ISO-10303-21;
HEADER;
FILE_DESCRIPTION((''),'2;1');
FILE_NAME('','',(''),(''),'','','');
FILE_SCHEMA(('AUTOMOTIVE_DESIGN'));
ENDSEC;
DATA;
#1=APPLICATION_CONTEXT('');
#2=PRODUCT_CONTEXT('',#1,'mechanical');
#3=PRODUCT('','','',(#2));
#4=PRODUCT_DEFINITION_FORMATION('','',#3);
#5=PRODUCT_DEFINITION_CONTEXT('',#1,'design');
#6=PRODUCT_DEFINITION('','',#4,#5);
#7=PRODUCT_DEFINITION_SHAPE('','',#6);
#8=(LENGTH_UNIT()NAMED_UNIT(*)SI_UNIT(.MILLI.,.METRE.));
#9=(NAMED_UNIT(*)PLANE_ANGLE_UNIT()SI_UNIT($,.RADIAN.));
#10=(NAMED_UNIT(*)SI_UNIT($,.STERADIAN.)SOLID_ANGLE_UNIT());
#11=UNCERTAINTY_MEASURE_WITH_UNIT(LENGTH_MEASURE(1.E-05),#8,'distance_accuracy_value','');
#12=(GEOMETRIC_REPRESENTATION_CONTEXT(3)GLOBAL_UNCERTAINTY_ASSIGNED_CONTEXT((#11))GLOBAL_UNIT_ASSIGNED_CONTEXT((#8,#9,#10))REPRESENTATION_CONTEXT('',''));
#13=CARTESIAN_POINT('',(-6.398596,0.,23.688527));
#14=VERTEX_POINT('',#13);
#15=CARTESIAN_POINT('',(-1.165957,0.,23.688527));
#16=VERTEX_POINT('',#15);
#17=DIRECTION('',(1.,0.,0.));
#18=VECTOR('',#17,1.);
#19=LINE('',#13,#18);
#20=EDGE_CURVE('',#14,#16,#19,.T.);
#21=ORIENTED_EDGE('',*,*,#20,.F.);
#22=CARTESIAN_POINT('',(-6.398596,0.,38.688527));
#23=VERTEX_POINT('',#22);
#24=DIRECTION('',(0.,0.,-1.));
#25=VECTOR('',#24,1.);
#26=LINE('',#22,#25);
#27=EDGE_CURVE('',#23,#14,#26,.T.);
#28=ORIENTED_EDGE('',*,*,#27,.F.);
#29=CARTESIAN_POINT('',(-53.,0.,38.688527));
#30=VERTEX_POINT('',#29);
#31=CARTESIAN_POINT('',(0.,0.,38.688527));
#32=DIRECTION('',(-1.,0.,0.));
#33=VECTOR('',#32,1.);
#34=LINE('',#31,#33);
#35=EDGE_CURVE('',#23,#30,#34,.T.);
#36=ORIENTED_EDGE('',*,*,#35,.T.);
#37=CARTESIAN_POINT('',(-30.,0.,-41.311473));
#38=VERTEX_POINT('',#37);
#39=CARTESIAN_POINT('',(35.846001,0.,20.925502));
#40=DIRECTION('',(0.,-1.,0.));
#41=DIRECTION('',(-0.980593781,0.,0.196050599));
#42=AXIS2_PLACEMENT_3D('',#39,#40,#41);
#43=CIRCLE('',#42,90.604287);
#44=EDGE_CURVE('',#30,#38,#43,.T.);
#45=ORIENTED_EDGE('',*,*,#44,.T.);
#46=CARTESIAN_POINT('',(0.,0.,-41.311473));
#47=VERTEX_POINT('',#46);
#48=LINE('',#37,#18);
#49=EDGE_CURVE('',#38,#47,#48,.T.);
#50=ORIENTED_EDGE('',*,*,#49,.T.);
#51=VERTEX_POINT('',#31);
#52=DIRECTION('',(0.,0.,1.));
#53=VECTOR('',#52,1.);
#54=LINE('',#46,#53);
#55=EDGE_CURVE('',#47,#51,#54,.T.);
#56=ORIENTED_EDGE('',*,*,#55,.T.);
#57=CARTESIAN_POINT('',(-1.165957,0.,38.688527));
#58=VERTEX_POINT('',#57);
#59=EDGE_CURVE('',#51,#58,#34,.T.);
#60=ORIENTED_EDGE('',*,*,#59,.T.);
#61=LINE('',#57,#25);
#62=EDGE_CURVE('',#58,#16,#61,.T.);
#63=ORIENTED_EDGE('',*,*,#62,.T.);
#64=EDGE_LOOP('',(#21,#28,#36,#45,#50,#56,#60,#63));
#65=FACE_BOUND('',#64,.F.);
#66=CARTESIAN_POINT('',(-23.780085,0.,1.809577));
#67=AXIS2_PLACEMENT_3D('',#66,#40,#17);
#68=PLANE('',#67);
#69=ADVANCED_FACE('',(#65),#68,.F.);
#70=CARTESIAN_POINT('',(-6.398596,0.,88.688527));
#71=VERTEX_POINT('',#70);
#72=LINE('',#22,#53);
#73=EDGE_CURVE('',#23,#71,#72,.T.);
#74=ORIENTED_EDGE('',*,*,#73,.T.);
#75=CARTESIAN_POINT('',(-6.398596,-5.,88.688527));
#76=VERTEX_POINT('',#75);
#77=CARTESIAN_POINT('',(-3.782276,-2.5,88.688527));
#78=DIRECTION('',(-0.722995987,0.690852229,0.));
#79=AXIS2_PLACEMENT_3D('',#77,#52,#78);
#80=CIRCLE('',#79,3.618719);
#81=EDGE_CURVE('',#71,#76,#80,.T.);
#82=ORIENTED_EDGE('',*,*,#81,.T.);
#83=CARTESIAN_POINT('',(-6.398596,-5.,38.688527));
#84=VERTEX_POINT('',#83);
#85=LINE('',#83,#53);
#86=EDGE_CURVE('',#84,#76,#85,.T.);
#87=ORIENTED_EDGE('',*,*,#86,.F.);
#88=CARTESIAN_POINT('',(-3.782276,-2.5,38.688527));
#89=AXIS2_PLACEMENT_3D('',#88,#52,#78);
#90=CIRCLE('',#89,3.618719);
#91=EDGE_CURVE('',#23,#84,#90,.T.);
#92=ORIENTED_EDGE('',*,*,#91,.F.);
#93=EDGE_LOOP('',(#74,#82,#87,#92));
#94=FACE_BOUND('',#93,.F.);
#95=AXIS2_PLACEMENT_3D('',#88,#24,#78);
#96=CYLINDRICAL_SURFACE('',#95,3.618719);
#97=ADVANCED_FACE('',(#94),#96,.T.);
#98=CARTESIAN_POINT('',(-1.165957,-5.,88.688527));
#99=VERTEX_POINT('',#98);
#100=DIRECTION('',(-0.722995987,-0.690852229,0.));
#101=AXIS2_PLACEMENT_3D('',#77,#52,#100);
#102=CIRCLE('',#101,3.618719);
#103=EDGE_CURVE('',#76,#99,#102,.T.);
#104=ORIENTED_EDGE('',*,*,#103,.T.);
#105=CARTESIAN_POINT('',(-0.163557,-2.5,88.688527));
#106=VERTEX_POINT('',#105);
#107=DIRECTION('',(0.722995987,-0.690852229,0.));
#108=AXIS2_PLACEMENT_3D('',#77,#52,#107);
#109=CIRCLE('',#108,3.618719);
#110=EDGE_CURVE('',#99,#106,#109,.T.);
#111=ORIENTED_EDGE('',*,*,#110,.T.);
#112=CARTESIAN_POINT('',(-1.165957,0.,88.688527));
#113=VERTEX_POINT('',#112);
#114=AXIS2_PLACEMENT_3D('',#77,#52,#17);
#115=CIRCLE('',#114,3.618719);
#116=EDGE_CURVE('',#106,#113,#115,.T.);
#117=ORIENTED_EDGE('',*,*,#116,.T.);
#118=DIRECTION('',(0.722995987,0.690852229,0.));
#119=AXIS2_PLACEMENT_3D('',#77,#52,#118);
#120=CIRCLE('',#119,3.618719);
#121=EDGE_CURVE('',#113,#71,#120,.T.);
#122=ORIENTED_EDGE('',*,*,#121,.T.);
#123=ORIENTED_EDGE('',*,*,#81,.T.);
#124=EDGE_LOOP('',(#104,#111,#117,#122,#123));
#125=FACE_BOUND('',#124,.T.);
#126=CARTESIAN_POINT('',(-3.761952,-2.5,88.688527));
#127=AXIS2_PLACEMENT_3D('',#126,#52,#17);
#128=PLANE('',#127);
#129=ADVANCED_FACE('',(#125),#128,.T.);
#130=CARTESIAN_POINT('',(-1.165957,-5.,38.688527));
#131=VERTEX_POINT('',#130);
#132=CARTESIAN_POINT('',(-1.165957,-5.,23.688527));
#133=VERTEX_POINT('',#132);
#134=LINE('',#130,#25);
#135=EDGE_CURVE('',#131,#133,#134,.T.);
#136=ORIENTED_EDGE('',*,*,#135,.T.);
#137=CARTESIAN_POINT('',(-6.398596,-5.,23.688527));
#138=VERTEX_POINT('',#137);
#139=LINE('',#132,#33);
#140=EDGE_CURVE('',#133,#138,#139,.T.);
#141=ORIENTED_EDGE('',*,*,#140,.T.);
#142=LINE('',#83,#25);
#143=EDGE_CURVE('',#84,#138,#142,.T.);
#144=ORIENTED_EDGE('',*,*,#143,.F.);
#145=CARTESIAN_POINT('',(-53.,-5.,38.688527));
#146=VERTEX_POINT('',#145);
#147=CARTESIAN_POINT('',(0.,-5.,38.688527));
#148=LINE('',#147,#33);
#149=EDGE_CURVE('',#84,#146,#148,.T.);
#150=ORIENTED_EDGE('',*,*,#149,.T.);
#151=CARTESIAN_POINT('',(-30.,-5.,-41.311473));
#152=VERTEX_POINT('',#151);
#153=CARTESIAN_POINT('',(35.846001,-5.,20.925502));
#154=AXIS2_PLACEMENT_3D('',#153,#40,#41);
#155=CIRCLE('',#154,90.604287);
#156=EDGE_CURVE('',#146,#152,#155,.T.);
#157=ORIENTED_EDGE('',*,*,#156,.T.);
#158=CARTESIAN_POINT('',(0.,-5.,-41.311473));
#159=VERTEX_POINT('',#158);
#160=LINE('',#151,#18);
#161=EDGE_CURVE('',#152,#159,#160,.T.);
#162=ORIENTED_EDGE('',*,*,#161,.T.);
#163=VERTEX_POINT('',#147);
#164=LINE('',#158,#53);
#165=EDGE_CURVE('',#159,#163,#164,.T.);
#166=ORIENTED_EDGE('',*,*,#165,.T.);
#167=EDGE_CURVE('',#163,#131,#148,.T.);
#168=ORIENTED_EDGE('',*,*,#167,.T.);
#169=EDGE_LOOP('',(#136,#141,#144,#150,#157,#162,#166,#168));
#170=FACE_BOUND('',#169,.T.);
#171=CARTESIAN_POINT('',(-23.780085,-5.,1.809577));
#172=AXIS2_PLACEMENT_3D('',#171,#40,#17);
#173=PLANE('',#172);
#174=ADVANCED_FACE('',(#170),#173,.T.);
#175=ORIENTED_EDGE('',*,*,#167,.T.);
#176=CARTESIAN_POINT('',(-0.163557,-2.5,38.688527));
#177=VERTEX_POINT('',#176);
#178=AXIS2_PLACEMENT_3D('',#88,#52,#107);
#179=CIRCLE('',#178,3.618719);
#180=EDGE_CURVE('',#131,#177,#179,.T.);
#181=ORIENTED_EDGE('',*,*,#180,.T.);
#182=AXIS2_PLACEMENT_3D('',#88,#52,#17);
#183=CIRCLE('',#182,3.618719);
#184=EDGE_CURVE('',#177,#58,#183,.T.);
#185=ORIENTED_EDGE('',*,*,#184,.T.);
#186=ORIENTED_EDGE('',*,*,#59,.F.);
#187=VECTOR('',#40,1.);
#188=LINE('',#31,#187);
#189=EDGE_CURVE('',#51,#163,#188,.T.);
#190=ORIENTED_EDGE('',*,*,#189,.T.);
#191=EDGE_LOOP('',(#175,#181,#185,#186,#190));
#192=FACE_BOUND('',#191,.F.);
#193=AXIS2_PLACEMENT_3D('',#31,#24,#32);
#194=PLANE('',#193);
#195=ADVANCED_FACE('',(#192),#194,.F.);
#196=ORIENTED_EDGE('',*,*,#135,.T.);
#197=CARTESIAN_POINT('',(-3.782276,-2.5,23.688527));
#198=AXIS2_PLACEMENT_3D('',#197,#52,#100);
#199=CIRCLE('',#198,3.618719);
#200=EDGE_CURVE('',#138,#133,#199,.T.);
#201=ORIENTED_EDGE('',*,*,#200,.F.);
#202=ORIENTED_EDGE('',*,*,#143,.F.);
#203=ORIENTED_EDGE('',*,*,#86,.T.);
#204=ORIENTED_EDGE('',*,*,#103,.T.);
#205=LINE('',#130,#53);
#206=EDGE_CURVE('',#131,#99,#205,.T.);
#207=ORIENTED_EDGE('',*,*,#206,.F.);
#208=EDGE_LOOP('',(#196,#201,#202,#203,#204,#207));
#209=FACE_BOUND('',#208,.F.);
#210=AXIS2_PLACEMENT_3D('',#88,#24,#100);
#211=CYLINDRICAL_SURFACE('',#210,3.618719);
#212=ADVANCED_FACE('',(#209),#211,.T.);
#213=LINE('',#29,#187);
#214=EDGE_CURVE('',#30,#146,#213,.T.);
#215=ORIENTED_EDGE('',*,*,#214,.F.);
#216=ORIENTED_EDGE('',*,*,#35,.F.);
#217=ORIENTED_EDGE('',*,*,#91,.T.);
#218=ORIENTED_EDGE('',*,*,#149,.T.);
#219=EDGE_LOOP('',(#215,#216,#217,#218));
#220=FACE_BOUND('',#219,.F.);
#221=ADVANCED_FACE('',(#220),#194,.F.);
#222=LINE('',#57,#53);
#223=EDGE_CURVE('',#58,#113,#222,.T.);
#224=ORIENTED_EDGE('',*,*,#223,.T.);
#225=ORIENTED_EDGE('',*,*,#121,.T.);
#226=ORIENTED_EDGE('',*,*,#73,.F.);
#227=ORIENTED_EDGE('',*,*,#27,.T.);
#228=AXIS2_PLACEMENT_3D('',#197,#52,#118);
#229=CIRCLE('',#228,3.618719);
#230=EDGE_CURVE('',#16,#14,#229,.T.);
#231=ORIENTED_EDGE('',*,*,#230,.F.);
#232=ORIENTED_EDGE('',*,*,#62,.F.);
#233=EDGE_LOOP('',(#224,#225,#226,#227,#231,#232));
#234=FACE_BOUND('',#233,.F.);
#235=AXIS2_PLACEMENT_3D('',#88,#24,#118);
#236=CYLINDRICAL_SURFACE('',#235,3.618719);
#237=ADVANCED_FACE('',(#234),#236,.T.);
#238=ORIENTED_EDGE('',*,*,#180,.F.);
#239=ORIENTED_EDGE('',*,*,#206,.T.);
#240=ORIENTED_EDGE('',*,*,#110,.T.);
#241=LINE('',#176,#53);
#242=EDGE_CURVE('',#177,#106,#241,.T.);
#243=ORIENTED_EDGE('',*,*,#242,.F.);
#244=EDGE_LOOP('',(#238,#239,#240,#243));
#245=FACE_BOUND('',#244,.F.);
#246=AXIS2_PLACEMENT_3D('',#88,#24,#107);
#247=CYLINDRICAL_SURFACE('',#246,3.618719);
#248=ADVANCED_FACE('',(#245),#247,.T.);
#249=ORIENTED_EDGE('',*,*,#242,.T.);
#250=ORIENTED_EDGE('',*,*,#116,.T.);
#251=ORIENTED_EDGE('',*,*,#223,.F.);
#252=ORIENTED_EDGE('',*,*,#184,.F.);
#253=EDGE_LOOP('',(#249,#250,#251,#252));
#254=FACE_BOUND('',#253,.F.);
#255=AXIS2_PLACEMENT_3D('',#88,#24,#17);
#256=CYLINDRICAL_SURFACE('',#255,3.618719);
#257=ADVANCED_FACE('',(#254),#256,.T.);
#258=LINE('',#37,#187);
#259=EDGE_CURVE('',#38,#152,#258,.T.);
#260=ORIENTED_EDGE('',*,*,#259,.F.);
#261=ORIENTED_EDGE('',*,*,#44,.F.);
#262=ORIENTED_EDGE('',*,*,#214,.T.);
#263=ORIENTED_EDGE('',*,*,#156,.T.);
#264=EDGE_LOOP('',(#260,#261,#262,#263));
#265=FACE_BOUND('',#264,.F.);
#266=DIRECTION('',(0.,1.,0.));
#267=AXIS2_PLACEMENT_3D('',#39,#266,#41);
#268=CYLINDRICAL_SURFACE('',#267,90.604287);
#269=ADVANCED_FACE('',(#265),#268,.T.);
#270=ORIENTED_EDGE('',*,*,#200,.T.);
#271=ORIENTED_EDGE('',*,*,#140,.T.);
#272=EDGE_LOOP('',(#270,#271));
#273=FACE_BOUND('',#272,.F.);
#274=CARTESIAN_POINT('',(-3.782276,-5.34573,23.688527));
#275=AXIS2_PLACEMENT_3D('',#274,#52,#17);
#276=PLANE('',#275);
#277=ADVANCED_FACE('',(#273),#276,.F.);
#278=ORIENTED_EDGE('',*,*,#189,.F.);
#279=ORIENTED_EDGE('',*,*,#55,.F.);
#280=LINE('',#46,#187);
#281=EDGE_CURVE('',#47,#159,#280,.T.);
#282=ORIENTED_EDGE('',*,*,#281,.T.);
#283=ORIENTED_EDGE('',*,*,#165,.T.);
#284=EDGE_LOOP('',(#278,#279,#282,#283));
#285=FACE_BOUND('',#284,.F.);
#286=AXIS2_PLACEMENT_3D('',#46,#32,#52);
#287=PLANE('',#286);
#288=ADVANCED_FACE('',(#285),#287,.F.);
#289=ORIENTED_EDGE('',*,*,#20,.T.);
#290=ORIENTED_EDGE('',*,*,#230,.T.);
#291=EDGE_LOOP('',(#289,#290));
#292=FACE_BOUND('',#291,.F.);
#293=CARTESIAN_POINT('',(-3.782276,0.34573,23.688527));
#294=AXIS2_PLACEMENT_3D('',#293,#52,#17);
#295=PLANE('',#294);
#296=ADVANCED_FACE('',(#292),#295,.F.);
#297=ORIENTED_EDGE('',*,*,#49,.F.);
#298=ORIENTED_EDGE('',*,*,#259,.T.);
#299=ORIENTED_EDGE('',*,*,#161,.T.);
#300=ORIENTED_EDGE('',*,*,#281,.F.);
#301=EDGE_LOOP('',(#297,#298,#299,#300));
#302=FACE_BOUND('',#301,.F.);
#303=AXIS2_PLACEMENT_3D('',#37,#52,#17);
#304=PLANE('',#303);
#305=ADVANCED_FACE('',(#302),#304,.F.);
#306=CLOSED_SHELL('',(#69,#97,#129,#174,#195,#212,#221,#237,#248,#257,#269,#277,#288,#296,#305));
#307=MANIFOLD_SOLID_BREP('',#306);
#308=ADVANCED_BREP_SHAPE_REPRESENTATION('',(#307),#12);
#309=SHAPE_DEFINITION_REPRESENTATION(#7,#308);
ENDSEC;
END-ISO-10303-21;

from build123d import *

# Parameters (mm, degrees)
F1_DEPTH = 5
F3_DEPTH = 15
F4_DEPTH = 50


with BuildPart() as f1:
    # F0 (on Front) → F1 (new body)
    with BuildSketch(Plane.XZ):
        with BuildLine():
            Line((0, -41.3114728638), (0, 38.6885271362))
            Line((0, 38.6885271362), (-53, 38.6885271362))
            ThreePointArc((-53, 38.6885271362), (-51.2309986969, -4.1091349892), (-30, -41.3114728638))
            Line((-30, -41.3114728638), (0, -41.3114728638))
        make_face()
    extrude(amount=F1_DEPTH)

    # F2 (on face) → F3 (join)
    with BuildSketch(Plane.XY.offset(38.6885271362)):
        with BuildLine():
            Line((-6.3985955209, 0), (-1.165957073, 0))
            ThreePointArc((-1.165957073, 0), (-3.782276297, 1.118718873), (-6.3985955209, 0))
        make_face()
        with BuildLine():
            ThreePointArc((-6.3985955209, -5), (-3.782276297, -6.118718873), (-1.165957073, -5))
            Line((-1.165957073, -5), (-6.3985955209, -5))
        make_face()
    extrude(amount=-F3_DEPTH)

    # F2 (on face) → F4 (join)
    with BuildSketch(Plane.XY.offset(38.6885271362)):
        with BuildLine():
            ThreePointArc((-1.165957073, -5), (-0.4234930325, -3.8467372662), (-0.163557424, -2.5))
            ThreePointArc((-0.163557424, -2.5), (-0.4234930325, -1.1532627338), (-1.165957073, 0))
            Line((-1.165957073, 0), (-6.3985955209, 0))
            ThreePointArc((-6.3985955209, 0), (-7.40099517, -2.5), (-6.3985955209, -5))
            Line((-6.3985955209, -5), (-1.165957073, -5))
        make_face()
        with BuildLine():
            Line((-6.3985955209, 0), (-1.165957073, 0))
            ThreePointArc((-1.165957073, 0), (-3.782276297, 1.118718873), (-6.3985955209, 0))
        make_face()
        with BuildLine():
            ThreePointArc((-6.3985955209, -5), (-3.782276297, -6.118718873), (-1.165957073, -5))
            Line((-1.165957073, -5), (-6.3985955209, -5))
        make_face()
    extrude(amount=F4_DEPTH)


solid = f1.part
